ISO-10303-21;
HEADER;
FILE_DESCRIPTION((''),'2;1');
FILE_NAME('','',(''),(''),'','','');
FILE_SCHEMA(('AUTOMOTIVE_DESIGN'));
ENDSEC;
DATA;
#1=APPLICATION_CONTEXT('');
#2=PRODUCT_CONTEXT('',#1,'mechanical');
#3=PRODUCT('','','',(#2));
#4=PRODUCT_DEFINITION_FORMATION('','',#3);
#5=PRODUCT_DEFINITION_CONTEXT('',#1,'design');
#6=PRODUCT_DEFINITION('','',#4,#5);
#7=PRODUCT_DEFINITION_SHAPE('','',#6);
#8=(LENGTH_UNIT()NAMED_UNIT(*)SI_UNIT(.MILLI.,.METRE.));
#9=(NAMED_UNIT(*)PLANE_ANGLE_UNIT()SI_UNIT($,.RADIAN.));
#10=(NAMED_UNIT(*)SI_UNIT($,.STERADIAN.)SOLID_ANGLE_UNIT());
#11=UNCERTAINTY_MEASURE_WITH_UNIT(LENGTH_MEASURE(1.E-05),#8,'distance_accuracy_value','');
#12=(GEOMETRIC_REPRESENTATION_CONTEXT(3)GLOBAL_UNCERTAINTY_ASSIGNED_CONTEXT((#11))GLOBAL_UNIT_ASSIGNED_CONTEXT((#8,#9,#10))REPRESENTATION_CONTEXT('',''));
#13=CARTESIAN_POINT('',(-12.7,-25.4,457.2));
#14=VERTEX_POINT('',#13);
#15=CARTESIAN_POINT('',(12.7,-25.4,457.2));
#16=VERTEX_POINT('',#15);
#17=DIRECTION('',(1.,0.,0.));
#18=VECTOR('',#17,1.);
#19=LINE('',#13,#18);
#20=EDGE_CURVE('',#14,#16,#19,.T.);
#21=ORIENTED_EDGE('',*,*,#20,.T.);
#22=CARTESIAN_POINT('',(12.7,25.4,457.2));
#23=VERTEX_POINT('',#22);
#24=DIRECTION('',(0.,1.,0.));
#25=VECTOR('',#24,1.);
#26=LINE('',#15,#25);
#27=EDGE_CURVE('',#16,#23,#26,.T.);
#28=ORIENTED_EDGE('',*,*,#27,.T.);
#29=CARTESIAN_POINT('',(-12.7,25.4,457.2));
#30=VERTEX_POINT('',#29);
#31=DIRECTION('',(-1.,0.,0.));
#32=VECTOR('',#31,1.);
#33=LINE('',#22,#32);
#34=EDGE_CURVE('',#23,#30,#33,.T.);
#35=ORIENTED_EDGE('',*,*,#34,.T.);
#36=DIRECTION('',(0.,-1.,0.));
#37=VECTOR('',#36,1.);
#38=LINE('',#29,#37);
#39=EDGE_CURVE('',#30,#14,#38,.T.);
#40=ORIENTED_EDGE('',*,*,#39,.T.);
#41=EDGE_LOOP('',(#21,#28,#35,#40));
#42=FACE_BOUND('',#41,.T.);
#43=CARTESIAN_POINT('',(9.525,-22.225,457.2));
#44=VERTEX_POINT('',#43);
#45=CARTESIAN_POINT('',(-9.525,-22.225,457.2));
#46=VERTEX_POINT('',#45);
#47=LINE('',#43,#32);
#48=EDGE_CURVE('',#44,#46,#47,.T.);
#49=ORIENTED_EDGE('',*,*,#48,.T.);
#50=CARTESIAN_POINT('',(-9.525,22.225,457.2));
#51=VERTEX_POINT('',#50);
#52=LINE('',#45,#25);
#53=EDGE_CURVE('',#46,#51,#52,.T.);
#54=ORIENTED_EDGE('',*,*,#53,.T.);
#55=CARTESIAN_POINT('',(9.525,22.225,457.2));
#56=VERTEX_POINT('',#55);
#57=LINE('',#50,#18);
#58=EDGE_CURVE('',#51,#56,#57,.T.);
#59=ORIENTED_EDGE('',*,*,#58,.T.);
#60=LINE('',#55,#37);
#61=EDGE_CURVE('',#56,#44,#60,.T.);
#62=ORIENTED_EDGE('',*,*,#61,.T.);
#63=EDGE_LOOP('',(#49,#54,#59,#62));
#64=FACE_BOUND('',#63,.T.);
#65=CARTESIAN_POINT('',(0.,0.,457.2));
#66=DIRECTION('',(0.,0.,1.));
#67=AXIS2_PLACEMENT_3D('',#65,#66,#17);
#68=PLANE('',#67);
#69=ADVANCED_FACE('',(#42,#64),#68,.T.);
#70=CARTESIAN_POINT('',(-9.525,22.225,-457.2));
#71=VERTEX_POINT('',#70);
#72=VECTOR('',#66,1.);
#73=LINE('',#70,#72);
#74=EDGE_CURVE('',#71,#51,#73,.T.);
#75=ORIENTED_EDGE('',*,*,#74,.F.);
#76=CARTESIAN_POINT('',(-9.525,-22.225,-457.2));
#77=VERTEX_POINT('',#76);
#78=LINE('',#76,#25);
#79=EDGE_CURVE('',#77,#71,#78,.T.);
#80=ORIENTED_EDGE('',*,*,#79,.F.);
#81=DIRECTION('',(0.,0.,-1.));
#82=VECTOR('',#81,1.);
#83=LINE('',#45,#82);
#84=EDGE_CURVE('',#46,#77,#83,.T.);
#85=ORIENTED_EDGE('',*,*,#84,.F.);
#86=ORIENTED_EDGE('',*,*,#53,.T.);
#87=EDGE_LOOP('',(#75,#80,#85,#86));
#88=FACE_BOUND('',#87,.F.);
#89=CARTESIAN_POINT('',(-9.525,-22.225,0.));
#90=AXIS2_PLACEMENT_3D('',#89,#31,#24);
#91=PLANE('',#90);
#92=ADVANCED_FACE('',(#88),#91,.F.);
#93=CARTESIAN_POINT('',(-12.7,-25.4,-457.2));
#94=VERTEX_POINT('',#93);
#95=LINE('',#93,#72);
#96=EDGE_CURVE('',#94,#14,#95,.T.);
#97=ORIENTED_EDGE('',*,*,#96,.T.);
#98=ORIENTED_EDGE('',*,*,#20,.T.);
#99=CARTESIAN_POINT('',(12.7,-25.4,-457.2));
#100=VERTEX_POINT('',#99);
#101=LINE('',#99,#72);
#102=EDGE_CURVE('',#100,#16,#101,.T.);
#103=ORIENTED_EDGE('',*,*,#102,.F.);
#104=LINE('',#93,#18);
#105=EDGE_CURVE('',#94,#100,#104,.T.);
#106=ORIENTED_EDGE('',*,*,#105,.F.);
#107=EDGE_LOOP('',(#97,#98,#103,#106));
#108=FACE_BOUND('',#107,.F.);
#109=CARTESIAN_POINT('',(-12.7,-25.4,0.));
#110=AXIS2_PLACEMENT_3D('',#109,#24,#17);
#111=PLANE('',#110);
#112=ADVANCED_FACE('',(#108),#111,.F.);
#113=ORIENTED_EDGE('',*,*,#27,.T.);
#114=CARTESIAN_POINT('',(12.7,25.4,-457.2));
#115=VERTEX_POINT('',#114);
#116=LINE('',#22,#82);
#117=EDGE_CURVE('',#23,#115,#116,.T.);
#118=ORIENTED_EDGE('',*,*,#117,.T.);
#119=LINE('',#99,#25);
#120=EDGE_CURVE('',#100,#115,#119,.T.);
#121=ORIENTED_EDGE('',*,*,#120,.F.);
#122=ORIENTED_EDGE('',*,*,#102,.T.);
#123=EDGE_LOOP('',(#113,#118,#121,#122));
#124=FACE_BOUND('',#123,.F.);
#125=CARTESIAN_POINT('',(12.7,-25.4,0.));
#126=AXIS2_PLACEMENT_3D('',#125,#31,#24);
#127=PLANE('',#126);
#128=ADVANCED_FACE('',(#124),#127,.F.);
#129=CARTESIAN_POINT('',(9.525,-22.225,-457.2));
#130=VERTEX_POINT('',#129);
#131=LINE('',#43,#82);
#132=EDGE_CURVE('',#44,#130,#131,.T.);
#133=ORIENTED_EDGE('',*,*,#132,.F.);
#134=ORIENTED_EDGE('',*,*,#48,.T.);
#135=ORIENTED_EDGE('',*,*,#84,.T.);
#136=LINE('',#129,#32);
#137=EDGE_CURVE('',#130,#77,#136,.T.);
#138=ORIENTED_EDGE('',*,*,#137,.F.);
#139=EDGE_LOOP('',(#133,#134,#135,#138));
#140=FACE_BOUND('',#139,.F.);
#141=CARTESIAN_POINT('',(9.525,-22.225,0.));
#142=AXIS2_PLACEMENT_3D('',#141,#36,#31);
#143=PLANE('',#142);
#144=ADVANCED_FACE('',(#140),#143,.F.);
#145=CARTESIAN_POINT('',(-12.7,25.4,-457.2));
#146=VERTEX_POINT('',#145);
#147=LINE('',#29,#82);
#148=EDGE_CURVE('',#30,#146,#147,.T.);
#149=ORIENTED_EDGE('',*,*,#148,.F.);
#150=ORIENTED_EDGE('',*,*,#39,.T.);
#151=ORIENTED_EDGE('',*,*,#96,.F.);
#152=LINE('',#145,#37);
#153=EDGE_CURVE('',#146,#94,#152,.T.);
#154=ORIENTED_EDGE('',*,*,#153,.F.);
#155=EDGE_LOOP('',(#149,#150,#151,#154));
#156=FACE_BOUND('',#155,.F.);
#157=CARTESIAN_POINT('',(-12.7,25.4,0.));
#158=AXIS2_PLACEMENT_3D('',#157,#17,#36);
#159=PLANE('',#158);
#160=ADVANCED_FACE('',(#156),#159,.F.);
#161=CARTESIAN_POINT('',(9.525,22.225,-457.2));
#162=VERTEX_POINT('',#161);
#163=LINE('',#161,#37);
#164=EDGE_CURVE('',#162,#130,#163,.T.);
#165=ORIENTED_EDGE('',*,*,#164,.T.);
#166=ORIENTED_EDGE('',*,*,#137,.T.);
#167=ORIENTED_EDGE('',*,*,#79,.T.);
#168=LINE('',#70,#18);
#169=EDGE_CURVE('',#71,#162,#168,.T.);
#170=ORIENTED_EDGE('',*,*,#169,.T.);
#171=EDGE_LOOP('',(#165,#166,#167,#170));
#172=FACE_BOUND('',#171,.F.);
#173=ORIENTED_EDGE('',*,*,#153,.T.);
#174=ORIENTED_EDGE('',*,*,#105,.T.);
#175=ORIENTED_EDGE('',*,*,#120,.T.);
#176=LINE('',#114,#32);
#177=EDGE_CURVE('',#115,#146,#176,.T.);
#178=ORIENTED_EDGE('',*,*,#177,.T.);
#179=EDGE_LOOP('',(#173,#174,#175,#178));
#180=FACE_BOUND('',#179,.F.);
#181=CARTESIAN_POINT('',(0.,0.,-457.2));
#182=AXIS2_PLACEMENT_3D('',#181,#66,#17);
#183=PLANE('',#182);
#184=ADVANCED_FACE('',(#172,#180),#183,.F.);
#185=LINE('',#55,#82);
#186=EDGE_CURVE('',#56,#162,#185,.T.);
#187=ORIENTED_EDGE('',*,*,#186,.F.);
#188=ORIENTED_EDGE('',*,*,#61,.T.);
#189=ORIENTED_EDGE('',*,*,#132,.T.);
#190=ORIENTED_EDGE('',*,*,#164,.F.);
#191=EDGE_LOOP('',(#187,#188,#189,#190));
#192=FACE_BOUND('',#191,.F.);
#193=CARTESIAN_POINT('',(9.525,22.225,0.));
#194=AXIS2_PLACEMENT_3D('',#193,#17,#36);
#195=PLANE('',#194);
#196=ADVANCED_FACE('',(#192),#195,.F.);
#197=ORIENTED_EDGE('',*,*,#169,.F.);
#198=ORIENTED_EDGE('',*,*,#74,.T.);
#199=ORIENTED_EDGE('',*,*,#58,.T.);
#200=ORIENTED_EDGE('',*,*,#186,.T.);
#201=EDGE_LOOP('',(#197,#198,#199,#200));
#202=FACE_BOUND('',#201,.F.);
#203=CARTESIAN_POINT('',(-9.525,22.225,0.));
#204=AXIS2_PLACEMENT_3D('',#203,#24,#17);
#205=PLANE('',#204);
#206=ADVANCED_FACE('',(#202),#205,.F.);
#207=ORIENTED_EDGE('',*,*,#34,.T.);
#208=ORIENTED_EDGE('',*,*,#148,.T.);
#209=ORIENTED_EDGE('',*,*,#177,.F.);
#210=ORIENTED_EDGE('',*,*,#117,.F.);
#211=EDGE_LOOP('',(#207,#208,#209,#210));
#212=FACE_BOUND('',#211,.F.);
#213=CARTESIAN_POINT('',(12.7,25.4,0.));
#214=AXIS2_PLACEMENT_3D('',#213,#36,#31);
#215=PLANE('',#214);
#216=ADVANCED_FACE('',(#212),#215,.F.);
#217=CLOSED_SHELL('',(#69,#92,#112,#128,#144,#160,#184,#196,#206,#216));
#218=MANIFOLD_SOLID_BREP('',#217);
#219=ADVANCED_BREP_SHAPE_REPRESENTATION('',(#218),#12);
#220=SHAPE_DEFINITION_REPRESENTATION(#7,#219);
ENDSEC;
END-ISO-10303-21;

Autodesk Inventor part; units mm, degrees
ref_plane "YZ Plane" through (0, 0, 0) normal (1, 0, 0) x (0, 1, 0)
ref_plane "XZ Plane" through (0, 0, 0) normal (0, 1, 0) x (-1, 0, 0)
ref_plane "XY Plane" through (0, 0, 0) normal (0, 0, 1) x (1, 0, 0)
sketch "Sketch1" plane through (0, 0, 0) normal (0, 0, 1) x (1, 0, 0)
  line L0 (-12.7, -25.4) -> (12.7, -25.4)
  line L1 (12.7, -25.4) -> (12.7, 25.4)
  line L2 (12.7, 25.4) -> (-12.7, 25.4)
  line L3 (-12.7, 25.4) -> (-12.7, -25.4)
  line L4 (-12.7, -25.4) -> (12.7, 25.4) construction
  line L5 (12.7, -25.4) -> (-12.7, 25.4) construction
  line L6 (-9.525, 22.225) -> (9.525, 22.225)
  line L7 (9.525, 22.225) -> (9.525, -22.225)
  line L8 (9.525, -22.225) -> (-9.525, -22.225)
  line L9 (-9.525, -22.225) -> (-9.525, 22.225)
  point P0 (0, 0)
  dimension "width" = 25.4
  dimension "height" = 50.8
  dimension "thickness" = 3.175
extrude "Extrusion1" add sketch "Sketch1" along normal mid plane 914.4
properties part number "EL1-002" material "Aluminum 6061"
